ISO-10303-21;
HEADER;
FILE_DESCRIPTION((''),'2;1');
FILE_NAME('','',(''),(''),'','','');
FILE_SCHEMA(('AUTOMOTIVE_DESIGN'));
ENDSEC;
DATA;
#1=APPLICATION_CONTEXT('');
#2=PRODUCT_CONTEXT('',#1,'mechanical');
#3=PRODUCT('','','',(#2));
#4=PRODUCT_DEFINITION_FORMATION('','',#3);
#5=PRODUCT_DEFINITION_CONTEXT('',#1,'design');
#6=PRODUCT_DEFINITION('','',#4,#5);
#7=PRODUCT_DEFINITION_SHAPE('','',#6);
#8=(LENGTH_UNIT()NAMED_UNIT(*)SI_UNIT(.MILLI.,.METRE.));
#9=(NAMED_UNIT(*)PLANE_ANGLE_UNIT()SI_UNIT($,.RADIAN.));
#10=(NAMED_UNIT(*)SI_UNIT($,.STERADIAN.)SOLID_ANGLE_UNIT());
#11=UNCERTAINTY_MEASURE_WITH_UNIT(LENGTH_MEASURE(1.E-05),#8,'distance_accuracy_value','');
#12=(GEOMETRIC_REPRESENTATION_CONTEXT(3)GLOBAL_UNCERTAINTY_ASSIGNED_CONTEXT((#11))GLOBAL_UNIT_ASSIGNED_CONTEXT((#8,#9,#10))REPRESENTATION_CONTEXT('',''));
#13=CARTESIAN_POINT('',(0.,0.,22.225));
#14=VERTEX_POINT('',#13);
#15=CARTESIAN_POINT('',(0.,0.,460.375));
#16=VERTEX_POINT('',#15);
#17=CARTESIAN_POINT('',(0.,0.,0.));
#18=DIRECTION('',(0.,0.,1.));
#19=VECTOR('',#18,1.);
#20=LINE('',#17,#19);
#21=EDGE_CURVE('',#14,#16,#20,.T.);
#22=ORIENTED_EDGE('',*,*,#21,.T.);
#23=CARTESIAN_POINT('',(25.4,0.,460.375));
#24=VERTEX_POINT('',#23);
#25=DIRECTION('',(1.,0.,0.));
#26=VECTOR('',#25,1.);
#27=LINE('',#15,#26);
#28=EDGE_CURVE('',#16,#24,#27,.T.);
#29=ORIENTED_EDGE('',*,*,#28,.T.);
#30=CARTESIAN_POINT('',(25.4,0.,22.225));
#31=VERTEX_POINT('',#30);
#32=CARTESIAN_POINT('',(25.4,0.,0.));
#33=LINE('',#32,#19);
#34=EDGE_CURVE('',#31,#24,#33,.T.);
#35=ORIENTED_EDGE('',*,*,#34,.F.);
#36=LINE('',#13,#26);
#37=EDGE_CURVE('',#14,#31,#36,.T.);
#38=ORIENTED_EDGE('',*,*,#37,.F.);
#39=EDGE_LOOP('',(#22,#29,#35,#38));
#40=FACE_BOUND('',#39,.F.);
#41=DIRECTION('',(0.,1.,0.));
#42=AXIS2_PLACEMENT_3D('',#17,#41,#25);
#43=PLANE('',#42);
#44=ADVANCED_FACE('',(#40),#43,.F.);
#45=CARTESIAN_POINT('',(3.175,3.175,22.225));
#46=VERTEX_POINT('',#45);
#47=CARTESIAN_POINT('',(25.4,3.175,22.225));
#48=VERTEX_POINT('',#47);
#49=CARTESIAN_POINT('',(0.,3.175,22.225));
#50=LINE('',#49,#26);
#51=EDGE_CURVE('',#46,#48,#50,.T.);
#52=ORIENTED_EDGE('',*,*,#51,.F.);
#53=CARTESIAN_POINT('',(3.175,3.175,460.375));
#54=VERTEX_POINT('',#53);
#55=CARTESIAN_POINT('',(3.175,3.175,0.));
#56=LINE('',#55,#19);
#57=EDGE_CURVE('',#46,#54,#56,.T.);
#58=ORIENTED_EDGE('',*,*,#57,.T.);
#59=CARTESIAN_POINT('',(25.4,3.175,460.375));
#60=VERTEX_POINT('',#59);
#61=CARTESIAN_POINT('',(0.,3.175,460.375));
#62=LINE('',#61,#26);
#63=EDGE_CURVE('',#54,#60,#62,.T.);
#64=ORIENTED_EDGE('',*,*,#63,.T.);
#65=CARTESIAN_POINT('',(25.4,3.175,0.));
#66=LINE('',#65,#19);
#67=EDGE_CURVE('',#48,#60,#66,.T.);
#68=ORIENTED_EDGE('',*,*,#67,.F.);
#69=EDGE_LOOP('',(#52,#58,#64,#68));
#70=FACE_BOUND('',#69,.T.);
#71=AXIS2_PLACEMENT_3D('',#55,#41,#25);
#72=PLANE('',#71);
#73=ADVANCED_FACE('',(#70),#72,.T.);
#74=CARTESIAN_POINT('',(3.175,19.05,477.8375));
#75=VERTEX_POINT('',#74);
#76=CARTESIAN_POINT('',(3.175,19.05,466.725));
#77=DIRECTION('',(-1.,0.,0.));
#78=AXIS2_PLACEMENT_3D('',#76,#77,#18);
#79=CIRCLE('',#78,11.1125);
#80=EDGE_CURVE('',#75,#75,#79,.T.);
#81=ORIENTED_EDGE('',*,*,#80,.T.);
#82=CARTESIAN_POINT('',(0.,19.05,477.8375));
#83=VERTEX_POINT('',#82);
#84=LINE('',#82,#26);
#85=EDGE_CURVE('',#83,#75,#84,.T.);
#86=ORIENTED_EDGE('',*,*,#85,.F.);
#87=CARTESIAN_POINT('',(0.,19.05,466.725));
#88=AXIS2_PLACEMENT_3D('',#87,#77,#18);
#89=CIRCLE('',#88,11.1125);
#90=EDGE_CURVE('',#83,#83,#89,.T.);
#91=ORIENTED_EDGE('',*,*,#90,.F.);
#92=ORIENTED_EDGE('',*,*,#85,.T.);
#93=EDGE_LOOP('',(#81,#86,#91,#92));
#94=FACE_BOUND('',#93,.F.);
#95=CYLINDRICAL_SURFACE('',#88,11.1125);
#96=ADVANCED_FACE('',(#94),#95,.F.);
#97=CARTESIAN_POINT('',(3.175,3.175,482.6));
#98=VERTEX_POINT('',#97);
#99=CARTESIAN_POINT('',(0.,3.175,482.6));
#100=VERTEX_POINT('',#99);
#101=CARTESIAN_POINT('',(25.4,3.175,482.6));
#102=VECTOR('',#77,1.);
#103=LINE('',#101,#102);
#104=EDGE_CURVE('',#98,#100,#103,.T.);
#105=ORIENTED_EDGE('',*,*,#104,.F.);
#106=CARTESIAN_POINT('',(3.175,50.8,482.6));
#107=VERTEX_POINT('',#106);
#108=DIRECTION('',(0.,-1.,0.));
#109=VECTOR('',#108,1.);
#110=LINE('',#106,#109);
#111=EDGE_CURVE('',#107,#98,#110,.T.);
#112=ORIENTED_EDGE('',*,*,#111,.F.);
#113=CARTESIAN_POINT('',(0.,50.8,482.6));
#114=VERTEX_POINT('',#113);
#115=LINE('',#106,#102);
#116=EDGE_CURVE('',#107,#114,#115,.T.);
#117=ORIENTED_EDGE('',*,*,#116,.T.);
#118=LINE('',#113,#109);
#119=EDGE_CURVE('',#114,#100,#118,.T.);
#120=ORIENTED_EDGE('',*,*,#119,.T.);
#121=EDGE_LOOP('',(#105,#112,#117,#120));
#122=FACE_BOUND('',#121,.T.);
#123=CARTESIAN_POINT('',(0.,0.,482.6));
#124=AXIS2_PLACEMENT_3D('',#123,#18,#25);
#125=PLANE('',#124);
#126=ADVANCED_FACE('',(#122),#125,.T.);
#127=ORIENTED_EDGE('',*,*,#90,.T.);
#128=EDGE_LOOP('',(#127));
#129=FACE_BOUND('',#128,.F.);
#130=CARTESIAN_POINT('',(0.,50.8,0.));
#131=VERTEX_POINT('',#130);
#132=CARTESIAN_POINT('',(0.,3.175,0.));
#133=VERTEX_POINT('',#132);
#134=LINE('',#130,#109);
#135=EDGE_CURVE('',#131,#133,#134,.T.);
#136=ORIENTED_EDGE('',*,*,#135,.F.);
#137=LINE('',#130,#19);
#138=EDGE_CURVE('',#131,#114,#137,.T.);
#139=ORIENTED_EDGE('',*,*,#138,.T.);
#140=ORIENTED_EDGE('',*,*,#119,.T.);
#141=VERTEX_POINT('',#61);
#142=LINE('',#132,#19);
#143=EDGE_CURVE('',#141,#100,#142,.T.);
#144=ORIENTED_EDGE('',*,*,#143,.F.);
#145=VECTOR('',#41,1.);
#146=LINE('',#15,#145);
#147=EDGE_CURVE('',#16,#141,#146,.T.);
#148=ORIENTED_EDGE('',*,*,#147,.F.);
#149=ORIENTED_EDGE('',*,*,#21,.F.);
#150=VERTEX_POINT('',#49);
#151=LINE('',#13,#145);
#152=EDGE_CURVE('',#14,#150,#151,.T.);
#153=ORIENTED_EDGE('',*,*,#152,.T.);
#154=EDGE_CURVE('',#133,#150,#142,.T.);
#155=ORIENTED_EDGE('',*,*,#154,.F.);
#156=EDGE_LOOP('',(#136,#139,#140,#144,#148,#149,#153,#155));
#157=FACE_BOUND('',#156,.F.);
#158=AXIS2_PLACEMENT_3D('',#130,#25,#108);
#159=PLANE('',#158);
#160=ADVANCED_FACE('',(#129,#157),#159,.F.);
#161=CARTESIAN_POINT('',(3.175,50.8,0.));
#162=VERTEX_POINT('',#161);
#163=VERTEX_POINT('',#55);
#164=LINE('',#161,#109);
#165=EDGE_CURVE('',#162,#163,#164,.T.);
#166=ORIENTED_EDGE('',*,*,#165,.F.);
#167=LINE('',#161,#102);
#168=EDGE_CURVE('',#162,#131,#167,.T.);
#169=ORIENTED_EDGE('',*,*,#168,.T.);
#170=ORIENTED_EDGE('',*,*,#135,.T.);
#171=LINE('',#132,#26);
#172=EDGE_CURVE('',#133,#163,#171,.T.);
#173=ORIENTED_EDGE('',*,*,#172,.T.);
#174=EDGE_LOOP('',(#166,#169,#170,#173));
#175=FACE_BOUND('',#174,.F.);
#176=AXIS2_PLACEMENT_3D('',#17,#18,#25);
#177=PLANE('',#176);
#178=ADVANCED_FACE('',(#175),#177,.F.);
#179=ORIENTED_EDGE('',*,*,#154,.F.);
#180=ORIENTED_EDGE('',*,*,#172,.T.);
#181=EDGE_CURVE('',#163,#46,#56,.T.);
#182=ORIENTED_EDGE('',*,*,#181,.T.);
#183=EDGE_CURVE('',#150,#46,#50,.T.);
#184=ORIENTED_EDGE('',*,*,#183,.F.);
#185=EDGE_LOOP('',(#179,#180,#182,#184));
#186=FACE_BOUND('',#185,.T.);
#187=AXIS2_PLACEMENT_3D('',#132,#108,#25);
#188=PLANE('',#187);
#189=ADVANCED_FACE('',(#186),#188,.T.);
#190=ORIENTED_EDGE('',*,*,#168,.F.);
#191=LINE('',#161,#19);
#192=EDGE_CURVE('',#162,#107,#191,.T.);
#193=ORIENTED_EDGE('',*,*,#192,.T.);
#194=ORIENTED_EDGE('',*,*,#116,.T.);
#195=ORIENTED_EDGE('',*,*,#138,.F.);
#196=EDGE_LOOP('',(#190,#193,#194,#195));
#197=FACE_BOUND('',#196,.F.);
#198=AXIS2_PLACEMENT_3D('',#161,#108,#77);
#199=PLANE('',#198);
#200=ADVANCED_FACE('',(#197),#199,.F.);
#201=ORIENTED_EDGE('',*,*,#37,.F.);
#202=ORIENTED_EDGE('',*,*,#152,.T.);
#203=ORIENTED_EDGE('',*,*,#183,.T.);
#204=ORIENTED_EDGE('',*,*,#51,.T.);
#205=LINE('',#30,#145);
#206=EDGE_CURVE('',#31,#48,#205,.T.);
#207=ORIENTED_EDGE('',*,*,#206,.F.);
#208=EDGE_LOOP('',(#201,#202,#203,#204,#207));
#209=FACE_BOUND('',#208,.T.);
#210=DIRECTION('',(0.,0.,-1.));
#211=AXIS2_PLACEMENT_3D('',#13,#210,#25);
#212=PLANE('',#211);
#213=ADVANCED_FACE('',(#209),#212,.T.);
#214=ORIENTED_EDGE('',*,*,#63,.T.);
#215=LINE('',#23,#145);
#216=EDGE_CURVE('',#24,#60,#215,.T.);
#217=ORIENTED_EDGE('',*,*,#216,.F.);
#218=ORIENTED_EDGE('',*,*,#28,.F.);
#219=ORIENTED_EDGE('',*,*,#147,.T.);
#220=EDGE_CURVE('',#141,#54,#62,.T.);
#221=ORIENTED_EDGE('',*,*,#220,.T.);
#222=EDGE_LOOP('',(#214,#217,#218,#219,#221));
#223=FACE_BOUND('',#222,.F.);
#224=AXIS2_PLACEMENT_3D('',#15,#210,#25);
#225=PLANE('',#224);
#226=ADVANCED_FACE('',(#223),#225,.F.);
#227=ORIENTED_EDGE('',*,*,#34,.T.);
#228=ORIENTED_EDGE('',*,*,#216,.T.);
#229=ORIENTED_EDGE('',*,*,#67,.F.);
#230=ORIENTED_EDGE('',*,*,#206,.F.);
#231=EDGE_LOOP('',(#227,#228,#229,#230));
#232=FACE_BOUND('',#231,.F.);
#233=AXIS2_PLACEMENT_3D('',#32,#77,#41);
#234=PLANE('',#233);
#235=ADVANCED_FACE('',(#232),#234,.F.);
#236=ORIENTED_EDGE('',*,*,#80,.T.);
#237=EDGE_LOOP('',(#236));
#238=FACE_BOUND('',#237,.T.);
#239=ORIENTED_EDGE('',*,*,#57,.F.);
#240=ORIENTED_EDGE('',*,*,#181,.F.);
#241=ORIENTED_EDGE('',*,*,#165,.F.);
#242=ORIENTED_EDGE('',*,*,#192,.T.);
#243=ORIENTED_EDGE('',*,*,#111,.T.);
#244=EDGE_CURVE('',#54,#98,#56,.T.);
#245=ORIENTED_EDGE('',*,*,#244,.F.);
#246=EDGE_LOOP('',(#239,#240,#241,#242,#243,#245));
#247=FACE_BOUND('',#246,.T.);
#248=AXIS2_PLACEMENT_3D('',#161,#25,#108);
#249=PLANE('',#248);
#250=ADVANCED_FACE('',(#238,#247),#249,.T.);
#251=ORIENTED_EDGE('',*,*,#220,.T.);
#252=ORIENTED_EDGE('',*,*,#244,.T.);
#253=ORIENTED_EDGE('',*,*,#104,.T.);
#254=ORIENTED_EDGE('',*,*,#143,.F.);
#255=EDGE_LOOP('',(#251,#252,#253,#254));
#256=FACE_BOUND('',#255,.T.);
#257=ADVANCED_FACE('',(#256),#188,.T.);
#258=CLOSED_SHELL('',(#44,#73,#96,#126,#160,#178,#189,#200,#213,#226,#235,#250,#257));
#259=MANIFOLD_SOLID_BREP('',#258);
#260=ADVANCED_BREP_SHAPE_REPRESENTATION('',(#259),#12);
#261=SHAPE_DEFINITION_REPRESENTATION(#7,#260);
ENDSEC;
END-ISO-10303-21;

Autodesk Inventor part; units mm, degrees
ref_plane "YZ Plane" through (0, 0, 0) normal (1, 0, 0) x (0, 1, 0)
ref_plane "XZ Plane" through (0, 0, 0) normal (0, 1, 0) x (-1, 0, 0)
ref_plane "XY Plane" through (0, 0, 0) normal (0, 0, 1) x (1, 0, 0)
sketch "Sketch1" plane through (0, 0, 0) normal (0, 0, 1) x (1, 0, 0)
  line L0 (0, 0) -> (25.4, 0)
  line L1 (25.4, 0) -> (25.4, 3.175)
  line L2 (3.175, 50.8) -> (0, 50.8)
  line L3 (0, 50.8) -> (0, 0)
  line L4 (3.175, 50.8) -> (3.175, 3.175)
  line L5 (3.175, 3.175) -> (25.4, 3.175)
  dimension "d0" = 50.8
  dimension "d1" = 25.4
  dimension "d2" = 3.175
  dimension "d3" = 3.175
extrude "Extrusion1" add sketch "Sketch1" along normal blind 482.6
sketch "Sketch2" plane through (0, 0, 0) normal (-1, 0, 0) x (0, 0, 1)
  line L0 (482.6, 0) -> (482.6, 50.8) projected
  line L1 (0, 0) -> (482.6, 0) projected
  circle A0 centre (466.725, 19.05) radius 11.1125
  dimension "d6" = 22.225
  dimension "d7" = 19.05
  dimension "d8" = 15.875
extrude "Extrusion2" cut sketch "Sketch2" against normal blind 508
sketch "Sketch3" plane through (0, 0, 0) normal (0, -1, 0) x (1, 0, 0)
  line L0 (0, 0) -> (0, 482.6) projected
  line L1 (0, 0) -> (25.4, 0) projected
  line L2 (25.4, 0) -> (25.4, 482.6) projected
  line L3 (0, 22.225) -> (25.4, 22.225)
  line L4 (25.4, 482.6) -> (0, 482.6) projected
  line L5 (0, 460.375) -> (25.4, 460.375)
  dimension "d13" = 22.225
  dimension "d16" = 22.225
extrude "Extrusion3" cut sketch "Sketch3" against normal blind 3.175 contours L0 L3 L2 L1 | L0 L4 L2 L5
equation "\"d3\" = d2"
equation "\"d16\" = d13"
properties part number "manipulator L frame right"
